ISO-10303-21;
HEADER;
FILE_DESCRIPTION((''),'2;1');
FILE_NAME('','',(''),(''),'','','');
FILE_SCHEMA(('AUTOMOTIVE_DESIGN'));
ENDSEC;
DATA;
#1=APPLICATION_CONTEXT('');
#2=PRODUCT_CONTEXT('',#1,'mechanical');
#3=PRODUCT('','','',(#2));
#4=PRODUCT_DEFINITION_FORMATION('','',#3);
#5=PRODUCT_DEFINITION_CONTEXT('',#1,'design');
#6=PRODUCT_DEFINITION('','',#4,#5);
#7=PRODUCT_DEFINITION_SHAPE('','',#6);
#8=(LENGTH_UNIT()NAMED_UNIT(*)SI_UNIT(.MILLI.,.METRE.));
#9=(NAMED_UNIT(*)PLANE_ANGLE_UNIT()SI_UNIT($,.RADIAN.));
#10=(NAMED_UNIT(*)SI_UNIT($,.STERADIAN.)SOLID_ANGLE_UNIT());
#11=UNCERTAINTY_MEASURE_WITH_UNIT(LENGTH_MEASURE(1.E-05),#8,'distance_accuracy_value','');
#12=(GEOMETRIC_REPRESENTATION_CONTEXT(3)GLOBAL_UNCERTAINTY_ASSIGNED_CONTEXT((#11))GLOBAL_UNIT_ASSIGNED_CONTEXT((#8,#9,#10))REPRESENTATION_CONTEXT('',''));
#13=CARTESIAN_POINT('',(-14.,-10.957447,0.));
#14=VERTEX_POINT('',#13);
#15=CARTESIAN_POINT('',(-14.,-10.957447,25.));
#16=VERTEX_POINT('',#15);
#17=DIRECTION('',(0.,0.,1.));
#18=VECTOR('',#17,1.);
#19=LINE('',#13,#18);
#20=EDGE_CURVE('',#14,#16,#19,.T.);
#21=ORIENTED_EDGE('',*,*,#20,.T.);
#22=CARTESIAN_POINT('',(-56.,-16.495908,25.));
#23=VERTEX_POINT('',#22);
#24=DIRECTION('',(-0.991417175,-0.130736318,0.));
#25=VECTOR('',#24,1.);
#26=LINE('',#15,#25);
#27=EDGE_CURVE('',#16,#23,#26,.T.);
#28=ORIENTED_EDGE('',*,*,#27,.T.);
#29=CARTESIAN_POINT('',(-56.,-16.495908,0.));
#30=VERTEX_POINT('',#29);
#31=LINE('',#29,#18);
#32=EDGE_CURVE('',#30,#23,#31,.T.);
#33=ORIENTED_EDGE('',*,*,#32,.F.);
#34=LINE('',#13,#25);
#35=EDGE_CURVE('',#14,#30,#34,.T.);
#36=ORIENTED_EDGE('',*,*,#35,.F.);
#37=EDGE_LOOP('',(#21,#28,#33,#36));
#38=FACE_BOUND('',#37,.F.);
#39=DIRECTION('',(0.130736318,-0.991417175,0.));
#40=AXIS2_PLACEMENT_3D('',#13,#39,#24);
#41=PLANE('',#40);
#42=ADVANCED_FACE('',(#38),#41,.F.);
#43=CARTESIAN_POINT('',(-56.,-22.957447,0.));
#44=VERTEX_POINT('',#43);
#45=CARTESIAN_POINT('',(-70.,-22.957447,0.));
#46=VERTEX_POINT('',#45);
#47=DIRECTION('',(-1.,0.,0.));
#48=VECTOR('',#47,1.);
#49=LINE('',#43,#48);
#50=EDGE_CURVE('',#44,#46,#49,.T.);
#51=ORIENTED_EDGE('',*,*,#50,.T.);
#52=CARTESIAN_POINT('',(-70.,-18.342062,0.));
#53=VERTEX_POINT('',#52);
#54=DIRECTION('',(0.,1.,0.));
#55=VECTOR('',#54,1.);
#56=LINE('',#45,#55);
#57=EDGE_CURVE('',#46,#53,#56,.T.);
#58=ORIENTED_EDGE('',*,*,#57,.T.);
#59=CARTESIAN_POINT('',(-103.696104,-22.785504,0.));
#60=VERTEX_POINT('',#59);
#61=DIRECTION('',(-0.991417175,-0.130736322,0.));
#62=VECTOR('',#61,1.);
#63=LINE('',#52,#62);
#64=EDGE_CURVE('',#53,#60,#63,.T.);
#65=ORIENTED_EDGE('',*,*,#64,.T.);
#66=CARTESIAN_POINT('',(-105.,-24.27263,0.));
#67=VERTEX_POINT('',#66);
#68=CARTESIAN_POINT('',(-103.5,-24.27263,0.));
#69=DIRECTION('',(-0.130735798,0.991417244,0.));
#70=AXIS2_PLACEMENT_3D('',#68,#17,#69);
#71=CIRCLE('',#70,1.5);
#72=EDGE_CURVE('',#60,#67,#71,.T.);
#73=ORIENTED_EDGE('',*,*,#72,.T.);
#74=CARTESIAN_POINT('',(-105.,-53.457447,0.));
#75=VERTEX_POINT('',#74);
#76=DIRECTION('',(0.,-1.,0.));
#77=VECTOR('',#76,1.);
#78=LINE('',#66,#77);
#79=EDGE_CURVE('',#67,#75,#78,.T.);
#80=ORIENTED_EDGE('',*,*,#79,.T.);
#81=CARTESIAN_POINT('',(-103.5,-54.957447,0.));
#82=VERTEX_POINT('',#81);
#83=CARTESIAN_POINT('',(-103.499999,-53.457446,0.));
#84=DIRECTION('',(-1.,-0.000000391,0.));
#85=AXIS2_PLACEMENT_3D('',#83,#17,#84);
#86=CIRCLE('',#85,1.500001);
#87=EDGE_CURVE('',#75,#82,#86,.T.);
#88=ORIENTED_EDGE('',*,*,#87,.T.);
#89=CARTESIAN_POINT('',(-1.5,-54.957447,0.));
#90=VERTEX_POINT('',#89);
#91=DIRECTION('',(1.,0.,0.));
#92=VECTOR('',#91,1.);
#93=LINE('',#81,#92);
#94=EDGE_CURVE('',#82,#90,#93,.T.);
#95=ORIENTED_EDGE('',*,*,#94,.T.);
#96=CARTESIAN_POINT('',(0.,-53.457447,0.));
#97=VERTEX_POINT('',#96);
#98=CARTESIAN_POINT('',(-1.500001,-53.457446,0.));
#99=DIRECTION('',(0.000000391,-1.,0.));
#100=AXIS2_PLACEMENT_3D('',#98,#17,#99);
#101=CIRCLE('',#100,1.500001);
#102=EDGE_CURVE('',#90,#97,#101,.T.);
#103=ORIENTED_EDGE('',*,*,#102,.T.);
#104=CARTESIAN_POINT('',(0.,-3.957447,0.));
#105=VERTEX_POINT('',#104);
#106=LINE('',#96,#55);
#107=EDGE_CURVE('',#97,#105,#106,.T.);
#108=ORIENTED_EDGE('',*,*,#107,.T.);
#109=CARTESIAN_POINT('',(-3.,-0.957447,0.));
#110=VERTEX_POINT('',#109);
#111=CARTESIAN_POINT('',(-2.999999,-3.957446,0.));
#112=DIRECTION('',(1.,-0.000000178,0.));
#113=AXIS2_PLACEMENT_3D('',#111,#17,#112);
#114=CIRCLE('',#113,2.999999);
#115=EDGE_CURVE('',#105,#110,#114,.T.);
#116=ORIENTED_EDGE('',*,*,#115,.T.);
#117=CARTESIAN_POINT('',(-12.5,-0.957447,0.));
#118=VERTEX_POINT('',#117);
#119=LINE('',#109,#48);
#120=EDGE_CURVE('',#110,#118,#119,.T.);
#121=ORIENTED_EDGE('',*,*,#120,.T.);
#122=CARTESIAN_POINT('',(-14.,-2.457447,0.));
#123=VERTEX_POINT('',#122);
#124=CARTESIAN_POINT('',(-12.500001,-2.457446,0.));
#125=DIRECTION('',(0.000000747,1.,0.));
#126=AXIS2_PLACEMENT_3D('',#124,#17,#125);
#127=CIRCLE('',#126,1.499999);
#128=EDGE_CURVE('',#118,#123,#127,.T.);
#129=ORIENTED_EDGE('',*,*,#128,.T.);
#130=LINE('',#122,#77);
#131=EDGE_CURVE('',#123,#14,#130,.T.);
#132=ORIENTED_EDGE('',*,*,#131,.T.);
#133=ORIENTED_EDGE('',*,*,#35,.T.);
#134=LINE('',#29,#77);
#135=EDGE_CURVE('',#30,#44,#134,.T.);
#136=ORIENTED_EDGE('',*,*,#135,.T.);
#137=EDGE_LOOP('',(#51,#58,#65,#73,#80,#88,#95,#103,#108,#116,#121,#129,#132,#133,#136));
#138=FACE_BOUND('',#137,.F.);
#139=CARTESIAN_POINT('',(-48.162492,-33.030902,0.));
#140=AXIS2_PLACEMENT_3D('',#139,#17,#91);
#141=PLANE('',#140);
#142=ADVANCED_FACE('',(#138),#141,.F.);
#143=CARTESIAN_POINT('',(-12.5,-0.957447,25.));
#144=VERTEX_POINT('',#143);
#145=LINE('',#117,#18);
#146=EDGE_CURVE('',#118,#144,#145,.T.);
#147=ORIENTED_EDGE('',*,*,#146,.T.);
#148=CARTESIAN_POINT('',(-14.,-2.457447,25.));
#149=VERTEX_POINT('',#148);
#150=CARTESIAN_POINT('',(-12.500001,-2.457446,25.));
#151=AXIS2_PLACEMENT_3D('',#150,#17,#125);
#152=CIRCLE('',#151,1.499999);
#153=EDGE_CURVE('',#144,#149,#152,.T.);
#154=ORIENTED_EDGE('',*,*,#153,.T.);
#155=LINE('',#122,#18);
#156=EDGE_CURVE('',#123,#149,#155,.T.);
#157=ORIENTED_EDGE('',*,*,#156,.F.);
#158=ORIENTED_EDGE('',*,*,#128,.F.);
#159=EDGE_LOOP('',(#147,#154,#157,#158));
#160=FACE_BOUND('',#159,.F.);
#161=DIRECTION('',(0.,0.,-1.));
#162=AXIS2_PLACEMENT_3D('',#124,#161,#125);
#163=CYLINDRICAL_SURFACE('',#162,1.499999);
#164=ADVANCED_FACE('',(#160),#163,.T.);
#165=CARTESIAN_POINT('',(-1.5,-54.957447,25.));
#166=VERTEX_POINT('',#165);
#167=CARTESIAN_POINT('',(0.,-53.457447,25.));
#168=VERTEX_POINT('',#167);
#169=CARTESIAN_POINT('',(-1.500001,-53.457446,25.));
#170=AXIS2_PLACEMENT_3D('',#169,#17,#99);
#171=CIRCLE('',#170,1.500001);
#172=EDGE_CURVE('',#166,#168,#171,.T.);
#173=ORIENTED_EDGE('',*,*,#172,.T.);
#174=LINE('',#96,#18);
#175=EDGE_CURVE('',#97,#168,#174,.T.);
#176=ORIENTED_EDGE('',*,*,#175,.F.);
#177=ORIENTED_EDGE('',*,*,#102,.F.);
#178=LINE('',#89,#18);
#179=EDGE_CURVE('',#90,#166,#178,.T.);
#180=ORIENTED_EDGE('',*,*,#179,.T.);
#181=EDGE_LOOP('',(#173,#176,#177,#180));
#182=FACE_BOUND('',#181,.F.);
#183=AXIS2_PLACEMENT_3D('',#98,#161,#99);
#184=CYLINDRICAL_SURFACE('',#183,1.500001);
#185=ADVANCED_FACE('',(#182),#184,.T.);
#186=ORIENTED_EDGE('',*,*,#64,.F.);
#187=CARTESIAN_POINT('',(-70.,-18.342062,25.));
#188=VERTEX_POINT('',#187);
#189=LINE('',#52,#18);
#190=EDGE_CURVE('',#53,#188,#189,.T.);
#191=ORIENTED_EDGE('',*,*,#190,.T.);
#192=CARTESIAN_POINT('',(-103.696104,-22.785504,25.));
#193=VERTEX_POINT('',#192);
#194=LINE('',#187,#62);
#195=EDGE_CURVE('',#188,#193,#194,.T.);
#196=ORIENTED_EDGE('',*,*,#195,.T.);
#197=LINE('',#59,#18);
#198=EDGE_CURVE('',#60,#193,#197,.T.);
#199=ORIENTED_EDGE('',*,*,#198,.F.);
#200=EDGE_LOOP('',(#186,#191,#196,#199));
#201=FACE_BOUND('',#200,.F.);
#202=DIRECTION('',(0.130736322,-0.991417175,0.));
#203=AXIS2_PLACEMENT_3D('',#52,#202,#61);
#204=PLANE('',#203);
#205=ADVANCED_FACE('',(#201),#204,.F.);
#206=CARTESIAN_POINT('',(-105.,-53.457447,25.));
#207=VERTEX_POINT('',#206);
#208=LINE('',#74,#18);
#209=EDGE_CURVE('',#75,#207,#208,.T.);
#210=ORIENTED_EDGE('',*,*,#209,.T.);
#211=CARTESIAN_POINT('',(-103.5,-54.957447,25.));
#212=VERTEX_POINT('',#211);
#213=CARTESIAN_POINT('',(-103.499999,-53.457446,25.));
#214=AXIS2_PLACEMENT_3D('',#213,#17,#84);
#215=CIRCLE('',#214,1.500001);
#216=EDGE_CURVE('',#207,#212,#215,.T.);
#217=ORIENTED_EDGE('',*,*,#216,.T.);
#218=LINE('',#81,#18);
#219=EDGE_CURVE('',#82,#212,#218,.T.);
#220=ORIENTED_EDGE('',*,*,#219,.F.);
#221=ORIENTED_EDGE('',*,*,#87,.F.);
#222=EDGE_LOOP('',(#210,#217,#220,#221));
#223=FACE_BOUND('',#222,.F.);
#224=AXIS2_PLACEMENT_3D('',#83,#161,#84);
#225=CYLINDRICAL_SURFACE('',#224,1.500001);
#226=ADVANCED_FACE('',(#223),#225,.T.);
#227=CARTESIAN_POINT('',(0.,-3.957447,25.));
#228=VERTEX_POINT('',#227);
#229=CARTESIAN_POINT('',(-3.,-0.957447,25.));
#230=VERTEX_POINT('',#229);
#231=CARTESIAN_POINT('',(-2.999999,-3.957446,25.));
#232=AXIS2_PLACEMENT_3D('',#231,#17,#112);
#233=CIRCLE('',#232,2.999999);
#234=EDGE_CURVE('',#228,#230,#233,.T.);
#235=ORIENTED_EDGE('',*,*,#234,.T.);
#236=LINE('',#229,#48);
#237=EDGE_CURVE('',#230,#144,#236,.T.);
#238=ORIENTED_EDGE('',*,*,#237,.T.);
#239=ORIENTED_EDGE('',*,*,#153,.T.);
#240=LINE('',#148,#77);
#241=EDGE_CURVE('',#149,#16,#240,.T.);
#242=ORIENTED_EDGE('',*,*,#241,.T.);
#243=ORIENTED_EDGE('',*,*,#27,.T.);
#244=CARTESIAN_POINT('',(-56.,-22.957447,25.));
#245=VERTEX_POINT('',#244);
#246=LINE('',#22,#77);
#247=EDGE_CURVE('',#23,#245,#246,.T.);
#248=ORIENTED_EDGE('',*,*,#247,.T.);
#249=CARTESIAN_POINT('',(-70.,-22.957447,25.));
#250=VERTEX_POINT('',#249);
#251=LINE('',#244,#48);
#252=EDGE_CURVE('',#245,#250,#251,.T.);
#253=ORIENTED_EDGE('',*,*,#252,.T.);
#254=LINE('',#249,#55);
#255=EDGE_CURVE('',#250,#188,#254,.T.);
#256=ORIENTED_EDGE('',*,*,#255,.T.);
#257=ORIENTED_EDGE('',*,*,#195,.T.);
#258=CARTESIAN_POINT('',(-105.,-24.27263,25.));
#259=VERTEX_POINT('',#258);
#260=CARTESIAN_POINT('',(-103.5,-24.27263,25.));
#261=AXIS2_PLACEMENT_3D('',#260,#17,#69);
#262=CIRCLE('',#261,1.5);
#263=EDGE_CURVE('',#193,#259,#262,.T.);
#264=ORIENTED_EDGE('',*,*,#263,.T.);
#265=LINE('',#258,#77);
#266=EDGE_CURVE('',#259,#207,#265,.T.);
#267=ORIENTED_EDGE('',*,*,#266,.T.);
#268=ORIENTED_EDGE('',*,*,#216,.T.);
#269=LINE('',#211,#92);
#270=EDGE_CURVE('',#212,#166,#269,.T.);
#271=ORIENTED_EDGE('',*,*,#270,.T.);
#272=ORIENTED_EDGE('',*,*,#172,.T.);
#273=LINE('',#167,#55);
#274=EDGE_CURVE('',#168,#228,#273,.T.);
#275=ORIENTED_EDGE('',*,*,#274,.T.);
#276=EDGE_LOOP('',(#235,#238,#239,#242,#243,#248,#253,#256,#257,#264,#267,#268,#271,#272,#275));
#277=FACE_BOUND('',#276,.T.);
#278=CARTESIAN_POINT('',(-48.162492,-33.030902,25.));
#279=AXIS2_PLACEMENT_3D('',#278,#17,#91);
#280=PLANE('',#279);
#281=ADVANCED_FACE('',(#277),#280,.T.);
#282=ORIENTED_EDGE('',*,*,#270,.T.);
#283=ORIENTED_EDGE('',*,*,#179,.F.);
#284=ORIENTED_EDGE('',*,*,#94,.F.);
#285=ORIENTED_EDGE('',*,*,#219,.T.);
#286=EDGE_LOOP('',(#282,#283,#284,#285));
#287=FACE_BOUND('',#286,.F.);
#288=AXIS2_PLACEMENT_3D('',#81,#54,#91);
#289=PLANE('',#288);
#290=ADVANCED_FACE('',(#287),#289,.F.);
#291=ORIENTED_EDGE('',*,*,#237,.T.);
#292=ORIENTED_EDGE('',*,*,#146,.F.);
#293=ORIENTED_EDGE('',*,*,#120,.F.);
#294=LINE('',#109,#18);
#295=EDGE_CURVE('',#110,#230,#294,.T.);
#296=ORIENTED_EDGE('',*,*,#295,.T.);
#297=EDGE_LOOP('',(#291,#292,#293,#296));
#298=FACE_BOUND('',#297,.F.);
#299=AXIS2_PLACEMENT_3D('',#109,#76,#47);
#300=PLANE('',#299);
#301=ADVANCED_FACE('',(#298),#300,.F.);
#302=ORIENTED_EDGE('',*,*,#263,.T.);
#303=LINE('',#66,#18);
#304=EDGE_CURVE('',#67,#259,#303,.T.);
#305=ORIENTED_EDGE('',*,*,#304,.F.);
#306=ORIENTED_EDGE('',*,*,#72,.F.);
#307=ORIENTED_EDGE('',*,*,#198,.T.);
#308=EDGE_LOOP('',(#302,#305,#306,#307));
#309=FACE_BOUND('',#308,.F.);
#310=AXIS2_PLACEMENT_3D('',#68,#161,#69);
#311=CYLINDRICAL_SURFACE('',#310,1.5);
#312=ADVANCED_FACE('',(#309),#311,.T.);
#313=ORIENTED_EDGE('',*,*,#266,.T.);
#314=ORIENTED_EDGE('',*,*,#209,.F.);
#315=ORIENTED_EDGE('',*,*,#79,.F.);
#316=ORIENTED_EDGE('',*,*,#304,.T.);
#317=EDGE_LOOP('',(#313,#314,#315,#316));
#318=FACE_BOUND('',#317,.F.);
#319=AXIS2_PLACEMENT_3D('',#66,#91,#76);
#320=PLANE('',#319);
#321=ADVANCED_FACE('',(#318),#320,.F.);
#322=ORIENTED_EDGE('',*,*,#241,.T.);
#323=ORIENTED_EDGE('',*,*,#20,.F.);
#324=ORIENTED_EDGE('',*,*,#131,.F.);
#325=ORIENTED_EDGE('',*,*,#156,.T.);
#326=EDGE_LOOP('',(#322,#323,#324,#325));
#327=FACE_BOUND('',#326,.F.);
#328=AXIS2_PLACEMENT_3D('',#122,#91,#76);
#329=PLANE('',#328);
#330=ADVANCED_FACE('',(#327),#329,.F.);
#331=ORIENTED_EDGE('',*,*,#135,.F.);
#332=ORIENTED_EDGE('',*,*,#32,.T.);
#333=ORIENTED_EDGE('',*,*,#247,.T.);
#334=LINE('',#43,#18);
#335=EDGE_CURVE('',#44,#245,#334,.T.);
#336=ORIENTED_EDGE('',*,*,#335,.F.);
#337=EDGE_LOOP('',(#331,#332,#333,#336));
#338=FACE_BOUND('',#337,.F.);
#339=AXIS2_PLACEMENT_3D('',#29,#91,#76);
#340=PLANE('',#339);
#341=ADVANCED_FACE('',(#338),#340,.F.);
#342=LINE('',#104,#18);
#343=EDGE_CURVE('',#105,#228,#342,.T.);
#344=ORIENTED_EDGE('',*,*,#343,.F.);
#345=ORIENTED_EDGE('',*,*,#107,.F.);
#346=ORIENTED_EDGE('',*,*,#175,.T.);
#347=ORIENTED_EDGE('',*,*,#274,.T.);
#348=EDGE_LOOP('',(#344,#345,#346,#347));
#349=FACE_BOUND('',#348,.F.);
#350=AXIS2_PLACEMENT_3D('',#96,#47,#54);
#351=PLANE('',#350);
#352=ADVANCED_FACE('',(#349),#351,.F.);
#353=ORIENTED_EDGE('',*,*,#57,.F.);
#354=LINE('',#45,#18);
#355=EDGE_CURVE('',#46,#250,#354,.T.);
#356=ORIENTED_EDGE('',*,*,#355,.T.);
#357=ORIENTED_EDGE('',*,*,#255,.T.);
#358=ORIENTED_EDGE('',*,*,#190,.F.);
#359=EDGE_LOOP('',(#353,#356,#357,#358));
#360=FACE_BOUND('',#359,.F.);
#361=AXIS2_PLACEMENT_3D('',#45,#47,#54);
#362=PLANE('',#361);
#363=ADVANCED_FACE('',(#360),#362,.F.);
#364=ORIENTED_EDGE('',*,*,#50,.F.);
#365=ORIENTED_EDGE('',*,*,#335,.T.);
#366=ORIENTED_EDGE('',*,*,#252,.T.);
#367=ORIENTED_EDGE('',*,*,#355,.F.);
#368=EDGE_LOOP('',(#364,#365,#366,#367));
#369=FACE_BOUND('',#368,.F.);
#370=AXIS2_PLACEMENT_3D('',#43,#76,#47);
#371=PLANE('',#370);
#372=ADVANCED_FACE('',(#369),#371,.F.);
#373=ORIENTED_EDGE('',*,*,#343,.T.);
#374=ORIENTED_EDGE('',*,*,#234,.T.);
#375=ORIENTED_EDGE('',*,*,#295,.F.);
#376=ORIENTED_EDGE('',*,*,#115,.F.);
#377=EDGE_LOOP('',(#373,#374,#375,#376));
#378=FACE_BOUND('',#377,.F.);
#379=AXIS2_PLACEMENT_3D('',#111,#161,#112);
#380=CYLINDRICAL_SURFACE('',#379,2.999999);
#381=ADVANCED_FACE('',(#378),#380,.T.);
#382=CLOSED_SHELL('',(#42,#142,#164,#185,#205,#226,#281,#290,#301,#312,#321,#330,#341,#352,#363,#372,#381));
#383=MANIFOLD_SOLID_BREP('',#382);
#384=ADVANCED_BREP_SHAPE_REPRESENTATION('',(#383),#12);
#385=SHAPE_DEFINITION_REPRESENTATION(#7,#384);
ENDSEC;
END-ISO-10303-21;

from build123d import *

# Parameters (mm, degrees)
F1_DEPTH = 25


with BuildPart() as f1:
    # F0 (on Top) → F1 (new body)
    with BuildSketch(Plane.XY):
        with BuildLine():
            ThreePointArc((-105, -53.457447), (-104.56066, -54.518107), (-103.5, -54.957447))
            Line((-103.5, -54.957447), (-56, -54.957447))
            Line((-56, -54.957447), (-1.5, -54.957447))
            ThreePointArc((-1.5, -54.957447), (-0.43934, -54.518107), (0, -53.457447))
            Line((0, -53.457447), (0, -3.957447))
            ThreePointArc((0, -3.957447), (-0.87868, -1.836126), (-3, -0.957447))
            Line((-3, -0.957447), (-12.5, -0.957447))
            ThreePointArc((-12.5, -0.957447), (-13.56066, -1.396786), (-14, -2.457447))
            Line((-14, -2.457447), (-14, -10.957447))
            Line((-14, -10.957447), (-56, -16.495908))
            Line((-56, -16.495908), (-56, -22.957447))
            Line((-56, -22.957447), (-70, -22.957447))
            Line((-70, -22.957447), (-70, -18.342062))
            Line((-70, -18.342062), (-103.696104, -22.785504))
            ThreePointArc((-103.696104, -22.785504), (-104.627865, -23.283731), (-105, -24.27263))
            Line((-105, -24.27263), (-105, -53.457447))
        make_face()
    extrude(amount=F1_DEPTH)


solid = f1.part
